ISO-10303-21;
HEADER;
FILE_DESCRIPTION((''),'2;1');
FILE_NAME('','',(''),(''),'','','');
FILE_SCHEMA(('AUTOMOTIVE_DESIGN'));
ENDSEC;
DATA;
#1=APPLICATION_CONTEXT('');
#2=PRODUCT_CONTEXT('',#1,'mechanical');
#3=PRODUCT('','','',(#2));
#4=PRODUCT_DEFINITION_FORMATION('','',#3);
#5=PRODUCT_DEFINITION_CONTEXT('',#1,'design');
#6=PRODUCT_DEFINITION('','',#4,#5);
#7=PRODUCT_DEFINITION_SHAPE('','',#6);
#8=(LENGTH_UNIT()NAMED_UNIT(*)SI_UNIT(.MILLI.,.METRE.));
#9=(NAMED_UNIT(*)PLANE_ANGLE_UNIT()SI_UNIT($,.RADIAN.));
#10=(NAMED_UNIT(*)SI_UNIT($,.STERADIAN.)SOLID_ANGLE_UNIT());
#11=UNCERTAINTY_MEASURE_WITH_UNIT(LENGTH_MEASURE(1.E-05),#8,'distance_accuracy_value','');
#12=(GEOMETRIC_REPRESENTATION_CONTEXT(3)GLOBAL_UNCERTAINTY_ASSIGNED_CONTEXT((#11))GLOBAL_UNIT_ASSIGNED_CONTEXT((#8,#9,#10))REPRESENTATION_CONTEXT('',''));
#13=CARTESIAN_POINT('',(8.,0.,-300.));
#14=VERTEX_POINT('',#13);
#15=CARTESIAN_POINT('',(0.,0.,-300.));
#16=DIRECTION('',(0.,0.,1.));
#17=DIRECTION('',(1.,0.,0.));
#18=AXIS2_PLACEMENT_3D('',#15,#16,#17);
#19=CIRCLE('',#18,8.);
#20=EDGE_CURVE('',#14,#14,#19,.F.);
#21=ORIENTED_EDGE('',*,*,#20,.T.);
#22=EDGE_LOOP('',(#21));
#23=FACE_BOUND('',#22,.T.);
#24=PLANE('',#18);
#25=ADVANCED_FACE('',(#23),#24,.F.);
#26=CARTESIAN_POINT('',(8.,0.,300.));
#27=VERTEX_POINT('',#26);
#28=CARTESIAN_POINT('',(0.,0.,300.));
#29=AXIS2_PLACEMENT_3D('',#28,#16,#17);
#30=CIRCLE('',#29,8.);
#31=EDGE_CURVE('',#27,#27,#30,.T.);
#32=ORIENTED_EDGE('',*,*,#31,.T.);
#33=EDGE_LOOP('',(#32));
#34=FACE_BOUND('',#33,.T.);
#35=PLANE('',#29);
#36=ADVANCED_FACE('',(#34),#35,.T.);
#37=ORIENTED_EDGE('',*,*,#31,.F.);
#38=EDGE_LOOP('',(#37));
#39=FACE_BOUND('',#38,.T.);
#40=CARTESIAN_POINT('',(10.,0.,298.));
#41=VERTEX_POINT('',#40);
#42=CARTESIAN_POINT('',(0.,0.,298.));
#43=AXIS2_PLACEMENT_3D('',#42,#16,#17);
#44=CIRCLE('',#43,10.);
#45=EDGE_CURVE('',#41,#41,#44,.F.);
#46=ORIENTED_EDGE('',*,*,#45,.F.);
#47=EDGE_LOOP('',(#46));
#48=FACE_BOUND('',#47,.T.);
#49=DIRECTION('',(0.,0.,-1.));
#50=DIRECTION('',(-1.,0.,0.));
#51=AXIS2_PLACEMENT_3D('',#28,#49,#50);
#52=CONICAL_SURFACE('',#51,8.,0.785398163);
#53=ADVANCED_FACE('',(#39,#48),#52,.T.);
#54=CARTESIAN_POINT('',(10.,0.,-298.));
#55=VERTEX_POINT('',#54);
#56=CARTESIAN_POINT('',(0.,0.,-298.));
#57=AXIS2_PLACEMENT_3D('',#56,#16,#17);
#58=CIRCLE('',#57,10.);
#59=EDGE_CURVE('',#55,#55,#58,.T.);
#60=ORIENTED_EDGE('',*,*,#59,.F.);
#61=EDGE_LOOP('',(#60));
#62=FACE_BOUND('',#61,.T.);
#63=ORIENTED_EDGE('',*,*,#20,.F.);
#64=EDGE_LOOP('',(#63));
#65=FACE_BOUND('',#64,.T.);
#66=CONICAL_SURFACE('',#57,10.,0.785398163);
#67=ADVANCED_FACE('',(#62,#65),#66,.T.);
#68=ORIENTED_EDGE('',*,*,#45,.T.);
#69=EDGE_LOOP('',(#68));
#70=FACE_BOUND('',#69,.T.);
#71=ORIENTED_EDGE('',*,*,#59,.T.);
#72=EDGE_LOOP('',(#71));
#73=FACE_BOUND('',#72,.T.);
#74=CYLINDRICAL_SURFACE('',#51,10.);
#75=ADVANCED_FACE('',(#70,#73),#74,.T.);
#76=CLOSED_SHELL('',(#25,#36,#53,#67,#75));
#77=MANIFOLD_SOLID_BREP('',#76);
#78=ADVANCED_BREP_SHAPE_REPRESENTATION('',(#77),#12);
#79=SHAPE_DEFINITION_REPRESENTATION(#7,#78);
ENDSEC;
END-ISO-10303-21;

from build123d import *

# Parameters (mm, degrees)
SKETCH1_R      = 10
EXTRUDE1_DEPTH = 300
CHAMFER1_SIZE  = 2


with BuildPart() as part:
    # Sketch1 → Extrude1 (new, symmetric)
    with BuildSketch(Plane.XY):
        Circle(SKETCH1_R)
    extrude(amount=EXTRUDE1_DEPTH, both=True)

    # Chamfer1
    chamfer1_edges = [part.edges().sort_by_distance(p)[0] for p in [
        (-10, 0, -300),
        (-10, 0, 300),
    ]]
    chamfer(chamfer1_edges, length=CHAMFER1_SIZE)


solid = part.part
